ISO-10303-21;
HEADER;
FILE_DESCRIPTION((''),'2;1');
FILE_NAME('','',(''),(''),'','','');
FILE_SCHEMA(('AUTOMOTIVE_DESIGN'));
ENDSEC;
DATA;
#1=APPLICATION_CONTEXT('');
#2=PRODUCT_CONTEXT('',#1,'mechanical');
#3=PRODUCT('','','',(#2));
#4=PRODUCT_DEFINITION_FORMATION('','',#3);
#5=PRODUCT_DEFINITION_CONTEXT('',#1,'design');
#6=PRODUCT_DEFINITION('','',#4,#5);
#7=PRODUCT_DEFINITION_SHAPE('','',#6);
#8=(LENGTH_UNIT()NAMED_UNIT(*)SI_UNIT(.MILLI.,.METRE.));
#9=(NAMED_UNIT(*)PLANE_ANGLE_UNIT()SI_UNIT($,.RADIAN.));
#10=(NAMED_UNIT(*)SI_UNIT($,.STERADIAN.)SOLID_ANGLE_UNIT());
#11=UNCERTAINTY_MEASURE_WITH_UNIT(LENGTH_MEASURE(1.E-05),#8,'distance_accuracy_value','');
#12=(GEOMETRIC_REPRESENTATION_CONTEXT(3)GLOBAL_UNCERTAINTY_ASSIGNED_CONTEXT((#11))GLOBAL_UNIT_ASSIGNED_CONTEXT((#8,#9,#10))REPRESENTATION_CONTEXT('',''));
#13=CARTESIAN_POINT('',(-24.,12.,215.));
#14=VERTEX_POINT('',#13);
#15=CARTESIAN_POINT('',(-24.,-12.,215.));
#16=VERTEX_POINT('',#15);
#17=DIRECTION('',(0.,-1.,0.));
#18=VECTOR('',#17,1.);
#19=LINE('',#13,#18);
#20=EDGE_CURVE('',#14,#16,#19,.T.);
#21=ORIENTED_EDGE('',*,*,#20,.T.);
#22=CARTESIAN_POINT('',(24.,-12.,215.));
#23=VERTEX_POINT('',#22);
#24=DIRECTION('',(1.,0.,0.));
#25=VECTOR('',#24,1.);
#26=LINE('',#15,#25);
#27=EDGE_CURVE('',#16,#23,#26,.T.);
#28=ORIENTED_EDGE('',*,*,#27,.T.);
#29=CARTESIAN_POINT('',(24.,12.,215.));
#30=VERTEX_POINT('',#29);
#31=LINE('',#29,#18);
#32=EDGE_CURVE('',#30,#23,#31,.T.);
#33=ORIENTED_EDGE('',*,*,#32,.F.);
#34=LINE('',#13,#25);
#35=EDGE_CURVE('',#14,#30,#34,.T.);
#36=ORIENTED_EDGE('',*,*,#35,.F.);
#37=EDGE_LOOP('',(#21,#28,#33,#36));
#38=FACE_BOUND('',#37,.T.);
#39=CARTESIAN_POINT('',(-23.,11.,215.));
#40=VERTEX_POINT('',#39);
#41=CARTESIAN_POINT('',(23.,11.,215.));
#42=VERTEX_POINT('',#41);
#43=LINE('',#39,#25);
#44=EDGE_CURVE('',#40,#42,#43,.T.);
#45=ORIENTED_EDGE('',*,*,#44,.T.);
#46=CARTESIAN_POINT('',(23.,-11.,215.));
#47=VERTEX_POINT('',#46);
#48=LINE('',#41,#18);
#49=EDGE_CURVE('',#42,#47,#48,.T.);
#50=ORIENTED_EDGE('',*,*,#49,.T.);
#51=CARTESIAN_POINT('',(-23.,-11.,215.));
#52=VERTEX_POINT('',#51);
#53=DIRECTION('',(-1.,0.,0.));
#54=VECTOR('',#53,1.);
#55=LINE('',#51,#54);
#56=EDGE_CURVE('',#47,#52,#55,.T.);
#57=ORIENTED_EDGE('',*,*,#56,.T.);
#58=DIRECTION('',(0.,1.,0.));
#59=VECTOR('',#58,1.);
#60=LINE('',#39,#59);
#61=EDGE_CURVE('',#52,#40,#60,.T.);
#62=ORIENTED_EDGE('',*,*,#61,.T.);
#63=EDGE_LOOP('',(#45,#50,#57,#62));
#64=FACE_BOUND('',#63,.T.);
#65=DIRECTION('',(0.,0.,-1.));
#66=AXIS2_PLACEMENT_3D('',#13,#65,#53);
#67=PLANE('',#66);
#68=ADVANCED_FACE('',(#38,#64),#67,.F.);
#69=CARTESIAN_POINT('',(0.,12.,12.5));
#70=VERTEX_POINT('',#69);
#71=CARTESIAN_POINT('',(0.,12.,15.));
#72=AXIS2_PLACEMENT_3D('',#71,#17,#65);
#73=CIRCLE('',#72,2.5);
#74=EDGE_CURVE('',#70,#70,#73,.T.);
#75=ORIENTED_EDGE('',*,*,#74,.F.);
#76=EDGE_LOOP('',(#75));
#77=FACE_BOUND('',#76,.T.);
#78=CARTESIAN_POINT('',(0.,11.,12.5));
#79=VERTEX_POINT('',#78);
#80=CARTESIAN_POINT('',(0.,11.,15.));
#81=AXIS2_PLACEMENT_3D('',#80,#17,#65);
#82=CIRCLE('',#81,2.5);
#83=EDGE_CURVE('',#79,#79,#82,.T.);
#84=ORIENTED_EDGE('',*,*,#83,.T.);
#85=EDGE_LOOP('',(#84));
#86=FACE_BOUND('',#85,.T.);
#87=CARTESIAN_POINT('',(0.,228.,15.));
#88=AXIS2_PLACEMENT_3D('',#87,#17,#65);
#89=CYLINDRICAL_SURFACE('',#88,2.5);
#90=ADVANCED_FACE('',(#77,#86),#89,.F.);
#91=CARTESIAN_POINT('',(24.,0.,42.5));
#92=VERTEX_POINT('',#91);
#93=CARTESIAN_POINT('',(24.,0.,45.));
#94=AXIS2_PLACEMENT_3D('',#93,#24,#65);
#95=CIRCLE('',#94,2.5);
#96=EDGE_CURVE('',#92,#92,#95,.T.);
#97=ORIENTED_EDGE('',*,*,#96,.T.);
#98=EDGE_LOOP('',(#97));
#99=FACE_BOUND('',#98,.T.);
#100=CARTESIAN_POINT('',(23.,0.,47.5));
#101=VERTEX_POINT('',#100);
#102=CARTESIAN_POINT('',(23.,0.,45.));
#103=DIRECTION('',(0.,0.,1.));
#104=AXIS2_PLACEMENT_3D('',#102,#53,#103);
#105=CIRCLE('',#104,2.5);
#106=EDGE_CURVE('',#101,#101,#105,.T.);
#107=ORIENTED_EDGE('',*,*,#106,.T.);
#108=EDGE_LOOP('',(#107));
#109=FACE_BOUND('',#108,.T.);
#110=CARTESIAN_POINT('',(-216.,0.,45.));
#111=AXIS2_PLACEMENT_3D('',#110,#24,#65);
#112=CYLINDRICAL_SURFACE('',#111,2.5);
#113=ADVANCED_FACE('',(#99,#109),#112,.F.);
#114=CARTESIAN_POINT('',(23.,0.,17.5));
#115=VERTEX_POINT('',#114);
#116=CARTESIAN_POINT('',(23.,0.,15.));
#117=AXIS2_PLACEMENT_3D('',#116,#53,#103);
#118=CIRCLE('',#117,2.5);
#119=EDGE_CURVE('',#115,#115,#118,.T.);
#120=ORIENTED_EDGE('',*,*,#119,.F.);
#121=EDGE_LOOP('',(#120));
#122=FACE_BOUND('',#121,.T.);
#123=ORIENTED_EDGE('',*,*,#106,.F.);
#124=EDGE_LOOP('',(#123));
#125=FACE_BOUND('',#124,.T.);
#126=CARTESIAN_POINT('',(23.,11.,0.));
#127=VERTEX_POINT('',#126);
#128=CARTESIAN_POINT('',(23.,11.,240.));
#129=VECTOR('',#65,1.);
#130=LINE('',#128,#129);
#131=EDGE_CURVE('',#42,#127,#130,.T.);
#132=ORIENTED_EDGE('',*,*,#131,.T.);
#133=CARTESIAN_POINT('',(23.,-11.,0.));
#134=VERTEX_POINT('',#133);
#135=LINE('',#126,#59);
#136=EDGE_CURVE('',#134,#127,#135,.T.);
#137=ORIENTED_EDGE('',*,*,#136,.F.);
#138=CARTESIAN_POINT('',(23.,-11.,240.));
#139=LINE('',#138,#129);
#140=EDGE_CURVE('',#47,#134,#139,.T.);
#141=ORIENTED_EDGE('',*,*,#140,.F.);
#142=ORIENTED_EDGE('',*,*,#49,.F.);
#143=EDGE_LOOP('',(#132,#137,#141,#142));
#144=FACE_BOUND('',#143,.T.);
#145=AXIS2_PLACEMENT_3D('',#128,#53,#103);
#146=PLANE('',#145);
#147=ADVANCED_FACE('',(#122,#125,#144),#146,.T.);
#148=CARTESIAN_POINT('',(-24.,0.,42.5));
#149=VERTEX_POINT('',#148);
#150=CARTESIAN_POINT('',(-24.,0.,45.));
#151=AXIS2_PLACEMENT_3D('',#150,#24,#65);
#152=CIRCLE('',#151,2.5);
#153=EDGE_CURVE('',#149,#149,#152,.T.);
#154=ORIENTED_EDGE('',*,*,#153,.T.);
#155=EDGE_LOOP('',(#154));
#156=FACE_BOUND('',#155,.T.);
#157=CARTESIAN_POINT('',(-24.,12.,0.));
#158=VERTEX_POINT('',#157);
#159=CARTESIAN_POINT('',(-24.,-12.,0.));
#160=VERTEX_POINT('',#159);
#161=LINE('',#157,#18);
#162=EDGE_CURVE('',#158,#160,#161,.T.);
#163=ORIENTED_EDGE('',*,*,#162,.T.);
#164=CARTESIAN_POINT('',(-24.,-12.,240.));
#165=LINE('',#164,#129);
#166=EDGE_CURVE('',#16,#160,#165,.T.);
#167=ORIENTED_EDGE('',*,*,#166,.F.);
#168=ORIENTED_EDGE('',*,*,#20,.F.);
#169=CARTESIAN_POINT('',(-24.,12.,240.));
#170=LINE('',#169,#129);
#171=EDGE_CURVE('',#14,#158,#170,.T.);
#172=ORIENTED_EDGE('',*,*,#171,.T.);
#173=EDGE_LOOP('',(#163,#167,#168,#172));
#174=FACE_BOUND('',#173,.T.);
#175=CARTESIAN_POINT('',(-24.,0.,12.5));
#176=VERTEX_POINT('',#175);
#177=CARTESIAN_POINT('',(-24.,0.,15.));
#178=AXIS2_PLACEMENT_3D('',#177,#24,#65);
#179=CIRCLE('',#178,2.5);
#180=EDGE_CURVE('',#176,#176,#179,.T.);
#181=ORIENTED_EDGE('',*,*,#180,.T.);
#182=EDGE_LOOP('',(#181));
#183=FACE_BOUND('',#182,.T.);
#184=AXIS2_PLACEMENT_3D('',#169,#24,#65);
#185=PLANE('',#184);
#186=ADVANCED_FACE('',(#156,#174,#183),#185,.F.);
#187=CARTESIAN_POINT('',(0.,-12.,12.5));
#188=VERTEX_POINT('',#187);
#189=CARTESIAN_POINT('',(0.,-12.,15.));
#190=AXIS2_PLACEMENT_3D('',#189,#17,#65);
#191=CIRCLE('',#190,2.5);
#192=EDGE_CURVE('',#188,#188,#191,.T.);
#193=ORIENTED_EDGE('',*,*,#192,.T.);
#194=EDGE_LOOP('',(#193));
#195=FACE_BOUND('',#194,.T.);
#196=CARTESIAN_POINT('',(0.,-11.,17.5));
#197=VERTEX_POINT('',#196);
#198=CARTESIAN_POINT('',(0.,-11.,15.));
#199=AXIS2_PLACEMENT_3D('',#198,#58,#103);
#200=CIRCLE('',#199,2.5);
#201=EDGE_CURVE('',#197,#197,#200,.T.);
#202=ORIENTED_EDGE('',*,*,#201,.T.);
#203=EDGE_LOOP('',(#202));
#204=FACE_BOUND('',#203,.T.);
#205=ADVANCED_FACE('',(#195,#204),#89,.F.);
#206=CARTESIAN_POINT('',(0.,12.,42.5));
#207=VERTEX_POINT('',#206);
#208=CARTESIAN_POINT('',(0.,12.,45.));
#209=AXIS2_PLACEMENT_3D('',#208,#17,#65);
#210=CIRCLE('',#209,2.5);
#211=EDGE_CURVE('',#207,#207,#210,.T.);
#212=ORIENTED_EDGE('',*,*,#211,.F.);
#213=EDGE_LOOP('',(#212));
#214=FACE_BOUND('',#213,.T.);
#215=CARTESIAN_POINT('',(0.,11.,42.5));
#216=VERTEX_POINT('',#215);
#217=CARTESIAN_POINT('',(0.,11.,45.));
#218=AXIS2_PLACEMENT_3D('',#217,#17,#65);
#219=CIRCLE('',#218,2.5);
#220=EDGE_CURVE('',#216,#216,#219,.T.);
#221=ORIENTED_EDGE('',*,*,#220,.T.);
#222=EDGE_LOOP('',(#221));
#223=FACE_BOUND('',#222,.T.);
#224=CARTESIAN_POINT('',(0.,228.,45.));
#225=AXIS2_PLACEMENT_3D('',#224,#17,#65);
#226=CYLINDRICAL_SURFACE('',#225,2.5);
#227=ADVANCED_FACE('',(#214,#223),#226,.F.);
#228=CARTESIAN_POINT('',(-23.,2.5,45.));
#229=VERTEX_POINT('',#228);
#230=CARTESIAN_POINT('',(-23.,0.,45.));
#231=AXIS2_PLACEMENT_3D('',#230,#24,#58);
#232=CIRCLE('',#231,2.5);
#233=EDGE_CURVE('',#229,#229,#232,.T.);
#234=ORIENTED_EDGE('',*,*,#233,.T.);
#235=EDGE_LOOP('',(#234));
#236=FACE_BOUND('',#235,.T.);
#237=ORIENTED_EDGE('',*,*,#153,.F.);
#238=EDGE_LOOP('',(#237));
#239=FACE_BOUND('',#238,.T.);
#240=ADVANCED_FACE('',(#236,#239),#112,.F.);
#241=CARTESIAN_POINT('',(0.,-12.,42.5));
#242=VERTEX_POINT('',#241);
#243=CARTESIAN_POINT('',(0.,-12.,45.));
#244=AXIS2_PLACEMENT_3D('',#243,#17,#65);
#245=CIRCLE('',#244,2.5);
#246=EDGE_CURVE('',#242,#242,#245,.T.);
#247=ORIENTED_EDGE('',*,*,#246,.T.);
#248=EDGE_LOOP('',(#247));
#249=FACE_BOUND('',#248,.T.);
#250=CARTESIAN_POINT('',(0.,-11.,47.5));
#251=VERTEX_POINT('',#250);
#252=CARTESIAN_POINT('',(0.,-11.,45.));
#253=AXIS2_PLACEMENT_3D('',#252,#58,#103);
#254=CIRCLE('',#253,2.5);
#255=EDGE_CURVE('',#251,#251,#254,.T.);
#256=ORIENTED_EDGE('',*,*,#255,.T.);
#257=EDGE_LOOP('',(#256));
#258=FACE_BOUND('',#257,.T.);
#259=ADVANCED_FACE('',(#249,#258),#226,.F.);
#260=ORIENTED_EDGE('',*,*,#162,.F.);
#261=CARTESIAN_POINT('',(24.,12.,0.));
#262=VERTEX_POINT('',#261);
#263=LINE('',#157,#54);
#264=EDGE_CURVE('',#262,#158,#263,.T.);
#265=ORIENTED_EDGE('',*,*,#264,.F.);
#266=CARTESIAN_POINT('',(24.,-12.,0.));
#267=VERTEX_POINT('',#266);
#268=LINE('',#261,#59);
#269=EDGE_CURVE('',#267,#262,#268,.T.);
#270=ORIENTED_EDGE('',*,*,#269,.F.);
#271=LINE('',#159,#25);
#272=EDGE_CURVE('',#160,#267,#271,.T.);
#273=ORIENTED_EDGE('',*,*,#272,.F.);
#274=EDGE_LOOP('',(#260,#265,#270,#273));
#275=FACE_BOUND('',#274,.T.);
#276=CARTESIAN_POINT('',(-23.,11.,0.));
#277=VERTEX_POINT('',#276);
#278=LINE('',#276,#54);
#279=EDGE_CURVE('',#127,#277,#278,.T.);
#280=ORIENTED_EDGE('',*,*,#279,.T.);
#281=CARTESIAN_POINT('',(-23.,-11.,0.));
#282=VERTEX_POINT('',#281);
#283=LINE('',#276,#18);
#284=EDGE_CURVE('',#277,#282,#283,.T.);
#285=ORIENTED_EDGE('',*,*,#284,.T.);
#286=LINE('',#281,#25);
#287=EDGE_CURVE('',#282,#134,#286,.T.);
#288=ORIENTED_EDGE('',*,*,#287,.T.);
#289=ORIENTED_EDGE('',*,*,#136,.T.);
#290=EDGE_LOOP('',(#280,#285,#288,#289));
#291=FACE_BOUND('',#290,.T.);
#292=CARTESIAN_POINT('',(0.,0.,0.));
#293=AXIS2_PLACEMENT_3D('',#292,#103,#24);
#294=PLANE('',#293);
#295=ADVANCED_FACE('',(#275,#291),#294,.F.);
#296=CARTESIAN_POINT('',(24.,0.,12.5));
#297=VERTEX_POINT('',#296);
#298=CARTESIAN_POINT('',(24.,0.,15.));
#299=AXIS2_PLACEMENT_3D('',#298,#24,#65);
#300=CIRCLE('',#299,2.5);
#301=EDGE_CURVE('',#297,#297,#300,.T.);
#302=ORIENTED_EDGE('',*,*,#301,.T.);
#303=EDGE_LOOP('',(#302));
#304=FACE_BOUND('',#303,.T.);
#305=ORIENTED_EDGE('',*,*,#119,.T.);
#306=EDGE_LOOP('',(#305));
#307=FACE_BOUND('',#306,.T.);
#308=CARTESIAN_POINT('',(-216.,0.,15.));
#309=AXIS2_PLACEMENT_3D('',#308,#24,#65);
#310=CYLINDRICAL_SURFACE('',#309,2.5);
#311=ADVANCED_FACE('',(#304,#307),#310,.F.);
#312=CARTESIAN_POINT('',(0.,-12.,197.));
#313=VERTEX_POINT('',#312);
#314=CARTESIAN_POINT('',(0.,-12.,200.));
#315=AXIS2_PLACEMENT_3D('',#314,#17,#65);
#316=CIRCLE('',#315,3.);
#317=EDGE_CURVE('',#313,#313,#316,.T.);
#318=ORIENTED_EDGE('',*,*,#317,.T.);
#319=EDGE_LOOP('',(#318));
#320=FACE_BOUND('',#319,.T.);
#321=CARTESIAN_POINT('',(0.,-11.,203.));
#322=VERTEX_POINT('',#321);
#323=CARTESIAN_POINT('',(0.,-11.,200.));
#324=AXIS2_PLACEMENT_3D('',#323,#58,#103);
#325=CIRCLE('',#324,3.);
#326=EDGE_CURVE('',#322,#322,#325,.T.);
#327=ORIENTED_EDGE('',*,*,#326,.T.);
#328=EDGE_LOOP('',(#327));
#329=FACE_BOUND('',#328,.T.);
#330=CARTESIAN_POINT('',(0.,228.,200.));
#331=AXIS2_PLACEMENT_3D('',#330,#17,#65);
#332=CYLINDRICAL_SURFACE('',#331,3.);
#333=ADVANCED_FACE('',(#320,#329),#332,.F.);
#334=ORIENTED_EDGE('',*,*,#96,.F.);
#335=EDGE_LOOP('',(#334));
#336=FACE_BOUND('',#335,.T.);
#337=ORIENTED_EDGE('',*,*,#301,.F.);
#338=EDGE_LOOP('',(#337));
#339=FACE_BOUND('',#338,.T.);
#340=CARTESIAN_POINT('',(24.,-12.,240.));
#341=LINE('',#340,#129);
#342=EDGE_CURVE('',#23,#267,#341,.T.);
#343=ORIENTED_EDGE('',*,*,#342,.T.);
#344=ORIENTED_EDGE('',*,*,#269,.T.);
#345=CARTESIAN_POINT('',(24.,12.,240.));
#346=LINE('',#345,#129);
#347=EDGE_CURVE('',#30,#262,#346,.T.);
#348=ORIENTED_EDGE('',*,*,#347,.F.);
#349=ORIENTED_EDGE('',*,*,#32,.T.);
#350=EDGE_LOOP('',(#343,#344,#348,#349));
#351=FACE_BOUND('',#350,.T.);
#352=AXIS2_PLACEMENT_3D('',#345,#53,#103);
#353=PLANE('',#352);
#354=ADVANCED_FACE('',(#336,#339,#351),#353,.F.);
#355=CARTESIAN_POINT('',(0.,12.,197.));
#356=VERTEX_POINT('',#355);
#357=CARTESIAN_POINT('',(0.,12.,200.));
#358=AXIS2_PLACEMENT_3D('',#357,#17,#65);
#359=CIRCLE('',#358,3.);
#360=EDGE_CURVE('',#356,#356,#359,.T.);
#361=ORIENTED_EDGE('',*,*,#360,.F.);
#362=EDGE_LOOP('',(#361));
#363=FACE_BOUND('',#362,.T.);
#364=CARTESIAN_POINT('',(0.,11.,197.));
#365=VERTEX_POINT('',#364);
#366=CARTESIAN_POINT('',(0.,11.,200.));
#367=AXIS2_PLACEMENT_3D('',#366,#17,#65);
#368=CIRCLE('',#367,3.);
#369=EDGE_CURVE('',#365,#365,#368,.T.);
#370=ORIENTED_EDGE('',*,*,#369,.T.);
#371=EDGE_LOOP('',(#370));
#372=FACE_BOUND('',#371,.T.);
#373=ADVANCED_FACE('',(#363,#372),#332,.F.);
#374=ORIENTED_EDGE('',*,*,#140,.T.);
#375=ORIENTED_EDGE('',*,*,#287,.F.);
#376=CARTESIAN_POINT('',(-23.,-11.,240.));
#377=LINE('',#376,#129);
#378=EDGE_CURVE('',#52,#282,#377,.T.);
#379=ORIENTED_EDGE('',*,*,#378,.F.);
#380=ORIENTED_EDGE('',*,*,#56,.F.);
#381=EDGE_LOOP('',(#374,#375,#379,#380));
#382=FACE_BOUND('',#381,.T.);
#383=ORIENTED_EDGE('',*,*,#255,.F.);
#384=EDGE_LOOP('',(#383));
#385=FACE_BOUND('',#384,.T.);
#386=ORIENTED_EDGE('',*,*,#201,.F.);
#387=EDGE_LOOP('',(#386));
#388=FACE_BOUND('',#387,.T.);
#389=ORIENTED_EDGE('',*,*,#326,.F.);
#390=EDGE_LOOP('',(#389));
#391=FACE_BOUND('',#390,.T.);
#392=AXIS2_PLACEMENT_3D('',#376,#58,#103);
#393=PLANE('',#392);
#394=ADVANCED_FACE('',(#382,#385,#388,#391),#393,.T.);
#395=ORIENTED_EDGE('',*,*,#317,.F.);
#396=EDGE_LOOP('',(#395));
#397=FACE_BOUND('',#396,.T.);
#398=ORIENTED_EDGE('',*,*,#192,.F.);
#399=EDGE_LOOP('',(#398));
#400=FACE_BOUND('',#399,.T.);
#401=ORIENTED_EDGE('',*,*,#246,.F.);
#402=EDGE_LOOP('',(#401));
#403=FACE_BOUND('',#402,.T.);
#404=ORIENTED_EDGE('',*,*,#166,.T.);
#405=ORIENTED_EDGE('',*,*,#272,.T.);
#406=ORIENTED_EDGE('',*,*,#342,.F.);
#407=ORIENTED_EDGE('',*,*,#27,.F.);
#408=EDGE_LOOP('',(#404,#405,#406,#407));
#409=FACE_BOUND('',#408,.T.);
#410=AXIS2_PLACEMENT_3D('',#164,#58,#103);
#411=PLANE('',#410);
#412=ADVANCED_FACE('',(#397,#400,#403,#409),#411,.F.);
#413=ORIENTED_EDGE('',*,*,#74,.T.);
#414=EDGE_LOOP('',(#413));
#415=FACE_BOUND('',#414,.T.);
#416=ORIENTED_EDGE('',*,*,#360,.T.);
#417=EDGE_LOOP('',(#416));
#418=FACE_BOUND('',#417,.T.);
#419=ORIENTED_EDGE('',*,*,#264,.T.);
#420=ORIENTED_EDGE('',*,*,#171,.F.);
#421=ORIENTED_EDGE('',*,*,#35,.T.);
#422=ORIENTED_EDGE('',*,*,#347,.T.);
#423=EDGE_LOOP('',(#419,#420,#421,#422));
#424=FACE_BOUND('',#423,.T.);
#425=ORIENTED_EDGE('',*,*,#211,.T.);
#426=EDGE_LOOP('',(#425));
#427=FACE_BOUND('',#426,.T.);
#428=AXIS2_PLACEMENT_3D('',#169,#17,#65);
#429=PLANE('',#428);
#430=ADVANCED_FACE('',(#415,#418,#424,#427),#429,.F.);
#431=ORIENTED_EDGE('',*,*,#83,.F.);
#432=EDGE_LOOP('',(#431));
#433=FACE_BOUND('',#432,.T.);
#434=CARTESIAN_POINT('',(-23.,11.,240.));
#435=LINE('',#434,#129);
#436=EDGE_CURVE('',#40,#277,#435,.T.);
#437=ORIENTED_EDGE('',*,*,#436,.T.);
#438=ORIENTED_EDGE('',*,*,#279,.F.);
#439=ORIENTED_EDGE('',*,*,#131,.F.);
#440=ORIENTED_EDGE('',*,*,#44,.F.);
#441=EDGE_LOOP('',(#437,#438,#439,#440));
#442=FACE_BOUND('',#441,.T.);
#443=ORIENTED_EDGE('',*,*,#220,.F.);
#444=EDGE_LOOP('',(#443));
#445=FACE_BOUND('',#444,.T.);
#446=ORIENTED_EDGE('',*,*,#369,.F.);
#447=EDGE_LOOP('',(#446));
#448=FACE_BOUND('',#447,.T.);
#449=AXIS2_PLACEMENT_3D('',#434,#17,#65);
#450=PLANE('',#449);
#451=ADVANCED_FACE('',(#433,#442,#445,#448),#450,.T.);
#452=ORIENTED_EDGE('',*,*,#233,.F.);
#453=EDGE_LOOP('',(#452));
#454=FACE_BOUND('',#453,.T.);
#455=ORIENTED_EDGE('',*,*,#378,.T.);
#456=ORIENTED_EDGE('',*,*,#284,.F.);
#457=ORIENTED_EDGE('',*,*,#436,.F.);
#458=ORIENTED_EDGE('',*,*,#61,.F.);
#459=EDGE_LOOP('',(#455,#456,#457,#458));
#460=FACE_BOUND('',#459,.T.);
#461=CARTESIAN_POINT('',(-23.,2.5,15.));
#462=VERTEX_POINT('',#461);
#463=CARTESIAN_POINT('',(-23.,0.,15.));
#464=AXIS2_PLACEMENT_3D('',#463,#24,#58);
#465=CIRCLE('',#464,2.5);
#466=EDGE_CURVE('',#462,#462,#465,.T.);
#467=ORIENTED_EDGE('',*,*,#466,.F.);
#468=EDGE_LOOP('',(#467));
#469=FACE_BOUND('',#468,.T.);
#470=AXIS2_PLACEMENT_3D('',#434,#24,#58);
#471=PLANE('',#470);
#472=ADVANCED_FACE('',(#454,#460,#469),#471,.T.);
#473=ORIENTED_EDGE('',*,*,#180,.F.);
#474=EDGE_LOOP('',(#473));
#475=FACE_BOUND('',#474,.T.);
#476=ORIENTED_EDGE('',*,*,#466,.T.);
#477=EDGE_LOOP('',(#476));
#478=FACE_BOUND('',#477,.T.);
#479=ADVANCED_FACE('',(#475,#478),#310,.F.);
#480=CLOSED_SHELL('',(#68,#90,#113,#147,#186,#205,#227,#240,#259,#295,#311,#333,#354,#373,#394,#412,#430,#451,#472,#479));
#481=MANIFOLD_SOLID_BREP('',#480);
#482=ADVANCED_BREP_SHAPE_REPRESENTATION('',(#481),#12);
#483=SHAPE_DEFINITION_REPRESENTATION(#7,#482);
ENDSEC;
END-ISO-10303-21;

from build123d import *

# Parameters (mm, degrees)
SKETCH2_W           = 48
SKETCH2_H           = 24
SKETCH2_W_2         = 46
SKETCH2_H_2         = 22
BOSS_EXTRUDE1_DEPTH = 240
SKETCH4_R           = 3
CUT_EXTRUDE1_DEPTH  = 240
CUT_EXTRUDE3_DEPTH  = 240
CUT_EXTRUDE4_DEPTH  = 240
SKETCH8_W           = 48
SKETCH8_H           = 25
CUT_EXTRUDE5_DEPTH  = 25


with BuildPart() as part:
    # Sketch2 → Boss-Extrude1 (new body)
    with BuildSketch(Plane.XY):
        Rectangle(SKETCH2_W, SKETCH2_H)
        Rectangle(SKETCH2_W_2, SKETCH2_H_2, mode=Mode.SUBTRACT)
    extrude(amount=BOSS_EXTRUDE1_DEPTH)

    # Sketch4 → Cut-Extrude1 (cut)
    with BuildSketch(Plane.XZ.offset(12)):
        with Locations((0, 200)):
            Circle(SKETCH4_R)
    extrude(amount=-CUT_EXTRUDE1_DEPTH, mode=Mode.SUBTRACT)

    # Sketch5 → Cut-Extrude3 (cut)
    with BuildSketch(Plane.XZ.offset(12)):
        with BuildLine():
            ThreePointArc((2.5, 45), (1.767766953, 46.767766953), (0, 47.5))
            Line((0, 47.5), (0, 42.5))
            ThreePointArc((0, 42.5), (1.767766953, 43.232233047), (2.5, 45))
        make_face()
        with BuildLine():
            Line((0, 42.5), (0, 47.5))
            ThreePointArc((0, 47.5), (-2.5, 45), (0, 42.5))
        make_face()
        with BuildLine():
            ThreePointArc((0, 17.5), (-2.5, 15), (0, 12.5))
            Line((0, 12.5), (0, 17.5))
        make_face()
        with BuildLine():
            Line((0, 17.5), (0, 12.5))
            ThreePointArc((0, 12.5), (1.767766953, 13.232233047), (2.5, 15))
            ThreePointArc((2.5, 15), (1.767766953, 16.767766953), (0, 17.5))
        make_face()
    extrude(amount=-CUT_EXTRUDE3_DEPTH, mode=Mode.SUBTRACT)

    # Sketch7 → Cut-Extrude4 (cut)
    with BuildSketch(Plane(origin=(24, 0, 0), x_dir=(0, 0, -1), z_dir=(1, 0, 0))):
        with BuildLine():
            ThreePointArc((-42.5, 0), (-45, 2.5), (-47.5, 0))
            Line((-47.5, 0), (-42.5, 0))
        make_face()
        with BuildLine():
            Line((-42.5, 0), (-47.5, 0))
            ThreePointArc((-47.5, 0), (-45, -2.5), (-42.5, 0))
        make_face()
        with BuildLine():
            ThreePointArc((-17.5, 0), (-15, -2.5), (-12.5, 0))
            Line((-12.5, 0), (-17.5, 0))
        make_face()
        with BuildLine():
            Line((-17.5, 0), (-12.5, 0))
            ThreePointArc((-12.5, 0), (-15, 2.5), (-17.5, 0))
        make_face()
    extrude(amount=-CUT_EXTRUDE4_DEPTH, mode=Mode.SUBTRACT)

    # Sketch8 → Cut-Extrude5 (cut, through all)
    with BuildSketch(Plane.XZ.offset(12)):
        with Locations((0, 227.5)):
            Rectangle(SKETCH8_W, SKETCH8_H)
    extrude(amount=-CUT_EXTRUDE5_DEPTH, mode=Mode.SUBTRACT)


solid = part.part
